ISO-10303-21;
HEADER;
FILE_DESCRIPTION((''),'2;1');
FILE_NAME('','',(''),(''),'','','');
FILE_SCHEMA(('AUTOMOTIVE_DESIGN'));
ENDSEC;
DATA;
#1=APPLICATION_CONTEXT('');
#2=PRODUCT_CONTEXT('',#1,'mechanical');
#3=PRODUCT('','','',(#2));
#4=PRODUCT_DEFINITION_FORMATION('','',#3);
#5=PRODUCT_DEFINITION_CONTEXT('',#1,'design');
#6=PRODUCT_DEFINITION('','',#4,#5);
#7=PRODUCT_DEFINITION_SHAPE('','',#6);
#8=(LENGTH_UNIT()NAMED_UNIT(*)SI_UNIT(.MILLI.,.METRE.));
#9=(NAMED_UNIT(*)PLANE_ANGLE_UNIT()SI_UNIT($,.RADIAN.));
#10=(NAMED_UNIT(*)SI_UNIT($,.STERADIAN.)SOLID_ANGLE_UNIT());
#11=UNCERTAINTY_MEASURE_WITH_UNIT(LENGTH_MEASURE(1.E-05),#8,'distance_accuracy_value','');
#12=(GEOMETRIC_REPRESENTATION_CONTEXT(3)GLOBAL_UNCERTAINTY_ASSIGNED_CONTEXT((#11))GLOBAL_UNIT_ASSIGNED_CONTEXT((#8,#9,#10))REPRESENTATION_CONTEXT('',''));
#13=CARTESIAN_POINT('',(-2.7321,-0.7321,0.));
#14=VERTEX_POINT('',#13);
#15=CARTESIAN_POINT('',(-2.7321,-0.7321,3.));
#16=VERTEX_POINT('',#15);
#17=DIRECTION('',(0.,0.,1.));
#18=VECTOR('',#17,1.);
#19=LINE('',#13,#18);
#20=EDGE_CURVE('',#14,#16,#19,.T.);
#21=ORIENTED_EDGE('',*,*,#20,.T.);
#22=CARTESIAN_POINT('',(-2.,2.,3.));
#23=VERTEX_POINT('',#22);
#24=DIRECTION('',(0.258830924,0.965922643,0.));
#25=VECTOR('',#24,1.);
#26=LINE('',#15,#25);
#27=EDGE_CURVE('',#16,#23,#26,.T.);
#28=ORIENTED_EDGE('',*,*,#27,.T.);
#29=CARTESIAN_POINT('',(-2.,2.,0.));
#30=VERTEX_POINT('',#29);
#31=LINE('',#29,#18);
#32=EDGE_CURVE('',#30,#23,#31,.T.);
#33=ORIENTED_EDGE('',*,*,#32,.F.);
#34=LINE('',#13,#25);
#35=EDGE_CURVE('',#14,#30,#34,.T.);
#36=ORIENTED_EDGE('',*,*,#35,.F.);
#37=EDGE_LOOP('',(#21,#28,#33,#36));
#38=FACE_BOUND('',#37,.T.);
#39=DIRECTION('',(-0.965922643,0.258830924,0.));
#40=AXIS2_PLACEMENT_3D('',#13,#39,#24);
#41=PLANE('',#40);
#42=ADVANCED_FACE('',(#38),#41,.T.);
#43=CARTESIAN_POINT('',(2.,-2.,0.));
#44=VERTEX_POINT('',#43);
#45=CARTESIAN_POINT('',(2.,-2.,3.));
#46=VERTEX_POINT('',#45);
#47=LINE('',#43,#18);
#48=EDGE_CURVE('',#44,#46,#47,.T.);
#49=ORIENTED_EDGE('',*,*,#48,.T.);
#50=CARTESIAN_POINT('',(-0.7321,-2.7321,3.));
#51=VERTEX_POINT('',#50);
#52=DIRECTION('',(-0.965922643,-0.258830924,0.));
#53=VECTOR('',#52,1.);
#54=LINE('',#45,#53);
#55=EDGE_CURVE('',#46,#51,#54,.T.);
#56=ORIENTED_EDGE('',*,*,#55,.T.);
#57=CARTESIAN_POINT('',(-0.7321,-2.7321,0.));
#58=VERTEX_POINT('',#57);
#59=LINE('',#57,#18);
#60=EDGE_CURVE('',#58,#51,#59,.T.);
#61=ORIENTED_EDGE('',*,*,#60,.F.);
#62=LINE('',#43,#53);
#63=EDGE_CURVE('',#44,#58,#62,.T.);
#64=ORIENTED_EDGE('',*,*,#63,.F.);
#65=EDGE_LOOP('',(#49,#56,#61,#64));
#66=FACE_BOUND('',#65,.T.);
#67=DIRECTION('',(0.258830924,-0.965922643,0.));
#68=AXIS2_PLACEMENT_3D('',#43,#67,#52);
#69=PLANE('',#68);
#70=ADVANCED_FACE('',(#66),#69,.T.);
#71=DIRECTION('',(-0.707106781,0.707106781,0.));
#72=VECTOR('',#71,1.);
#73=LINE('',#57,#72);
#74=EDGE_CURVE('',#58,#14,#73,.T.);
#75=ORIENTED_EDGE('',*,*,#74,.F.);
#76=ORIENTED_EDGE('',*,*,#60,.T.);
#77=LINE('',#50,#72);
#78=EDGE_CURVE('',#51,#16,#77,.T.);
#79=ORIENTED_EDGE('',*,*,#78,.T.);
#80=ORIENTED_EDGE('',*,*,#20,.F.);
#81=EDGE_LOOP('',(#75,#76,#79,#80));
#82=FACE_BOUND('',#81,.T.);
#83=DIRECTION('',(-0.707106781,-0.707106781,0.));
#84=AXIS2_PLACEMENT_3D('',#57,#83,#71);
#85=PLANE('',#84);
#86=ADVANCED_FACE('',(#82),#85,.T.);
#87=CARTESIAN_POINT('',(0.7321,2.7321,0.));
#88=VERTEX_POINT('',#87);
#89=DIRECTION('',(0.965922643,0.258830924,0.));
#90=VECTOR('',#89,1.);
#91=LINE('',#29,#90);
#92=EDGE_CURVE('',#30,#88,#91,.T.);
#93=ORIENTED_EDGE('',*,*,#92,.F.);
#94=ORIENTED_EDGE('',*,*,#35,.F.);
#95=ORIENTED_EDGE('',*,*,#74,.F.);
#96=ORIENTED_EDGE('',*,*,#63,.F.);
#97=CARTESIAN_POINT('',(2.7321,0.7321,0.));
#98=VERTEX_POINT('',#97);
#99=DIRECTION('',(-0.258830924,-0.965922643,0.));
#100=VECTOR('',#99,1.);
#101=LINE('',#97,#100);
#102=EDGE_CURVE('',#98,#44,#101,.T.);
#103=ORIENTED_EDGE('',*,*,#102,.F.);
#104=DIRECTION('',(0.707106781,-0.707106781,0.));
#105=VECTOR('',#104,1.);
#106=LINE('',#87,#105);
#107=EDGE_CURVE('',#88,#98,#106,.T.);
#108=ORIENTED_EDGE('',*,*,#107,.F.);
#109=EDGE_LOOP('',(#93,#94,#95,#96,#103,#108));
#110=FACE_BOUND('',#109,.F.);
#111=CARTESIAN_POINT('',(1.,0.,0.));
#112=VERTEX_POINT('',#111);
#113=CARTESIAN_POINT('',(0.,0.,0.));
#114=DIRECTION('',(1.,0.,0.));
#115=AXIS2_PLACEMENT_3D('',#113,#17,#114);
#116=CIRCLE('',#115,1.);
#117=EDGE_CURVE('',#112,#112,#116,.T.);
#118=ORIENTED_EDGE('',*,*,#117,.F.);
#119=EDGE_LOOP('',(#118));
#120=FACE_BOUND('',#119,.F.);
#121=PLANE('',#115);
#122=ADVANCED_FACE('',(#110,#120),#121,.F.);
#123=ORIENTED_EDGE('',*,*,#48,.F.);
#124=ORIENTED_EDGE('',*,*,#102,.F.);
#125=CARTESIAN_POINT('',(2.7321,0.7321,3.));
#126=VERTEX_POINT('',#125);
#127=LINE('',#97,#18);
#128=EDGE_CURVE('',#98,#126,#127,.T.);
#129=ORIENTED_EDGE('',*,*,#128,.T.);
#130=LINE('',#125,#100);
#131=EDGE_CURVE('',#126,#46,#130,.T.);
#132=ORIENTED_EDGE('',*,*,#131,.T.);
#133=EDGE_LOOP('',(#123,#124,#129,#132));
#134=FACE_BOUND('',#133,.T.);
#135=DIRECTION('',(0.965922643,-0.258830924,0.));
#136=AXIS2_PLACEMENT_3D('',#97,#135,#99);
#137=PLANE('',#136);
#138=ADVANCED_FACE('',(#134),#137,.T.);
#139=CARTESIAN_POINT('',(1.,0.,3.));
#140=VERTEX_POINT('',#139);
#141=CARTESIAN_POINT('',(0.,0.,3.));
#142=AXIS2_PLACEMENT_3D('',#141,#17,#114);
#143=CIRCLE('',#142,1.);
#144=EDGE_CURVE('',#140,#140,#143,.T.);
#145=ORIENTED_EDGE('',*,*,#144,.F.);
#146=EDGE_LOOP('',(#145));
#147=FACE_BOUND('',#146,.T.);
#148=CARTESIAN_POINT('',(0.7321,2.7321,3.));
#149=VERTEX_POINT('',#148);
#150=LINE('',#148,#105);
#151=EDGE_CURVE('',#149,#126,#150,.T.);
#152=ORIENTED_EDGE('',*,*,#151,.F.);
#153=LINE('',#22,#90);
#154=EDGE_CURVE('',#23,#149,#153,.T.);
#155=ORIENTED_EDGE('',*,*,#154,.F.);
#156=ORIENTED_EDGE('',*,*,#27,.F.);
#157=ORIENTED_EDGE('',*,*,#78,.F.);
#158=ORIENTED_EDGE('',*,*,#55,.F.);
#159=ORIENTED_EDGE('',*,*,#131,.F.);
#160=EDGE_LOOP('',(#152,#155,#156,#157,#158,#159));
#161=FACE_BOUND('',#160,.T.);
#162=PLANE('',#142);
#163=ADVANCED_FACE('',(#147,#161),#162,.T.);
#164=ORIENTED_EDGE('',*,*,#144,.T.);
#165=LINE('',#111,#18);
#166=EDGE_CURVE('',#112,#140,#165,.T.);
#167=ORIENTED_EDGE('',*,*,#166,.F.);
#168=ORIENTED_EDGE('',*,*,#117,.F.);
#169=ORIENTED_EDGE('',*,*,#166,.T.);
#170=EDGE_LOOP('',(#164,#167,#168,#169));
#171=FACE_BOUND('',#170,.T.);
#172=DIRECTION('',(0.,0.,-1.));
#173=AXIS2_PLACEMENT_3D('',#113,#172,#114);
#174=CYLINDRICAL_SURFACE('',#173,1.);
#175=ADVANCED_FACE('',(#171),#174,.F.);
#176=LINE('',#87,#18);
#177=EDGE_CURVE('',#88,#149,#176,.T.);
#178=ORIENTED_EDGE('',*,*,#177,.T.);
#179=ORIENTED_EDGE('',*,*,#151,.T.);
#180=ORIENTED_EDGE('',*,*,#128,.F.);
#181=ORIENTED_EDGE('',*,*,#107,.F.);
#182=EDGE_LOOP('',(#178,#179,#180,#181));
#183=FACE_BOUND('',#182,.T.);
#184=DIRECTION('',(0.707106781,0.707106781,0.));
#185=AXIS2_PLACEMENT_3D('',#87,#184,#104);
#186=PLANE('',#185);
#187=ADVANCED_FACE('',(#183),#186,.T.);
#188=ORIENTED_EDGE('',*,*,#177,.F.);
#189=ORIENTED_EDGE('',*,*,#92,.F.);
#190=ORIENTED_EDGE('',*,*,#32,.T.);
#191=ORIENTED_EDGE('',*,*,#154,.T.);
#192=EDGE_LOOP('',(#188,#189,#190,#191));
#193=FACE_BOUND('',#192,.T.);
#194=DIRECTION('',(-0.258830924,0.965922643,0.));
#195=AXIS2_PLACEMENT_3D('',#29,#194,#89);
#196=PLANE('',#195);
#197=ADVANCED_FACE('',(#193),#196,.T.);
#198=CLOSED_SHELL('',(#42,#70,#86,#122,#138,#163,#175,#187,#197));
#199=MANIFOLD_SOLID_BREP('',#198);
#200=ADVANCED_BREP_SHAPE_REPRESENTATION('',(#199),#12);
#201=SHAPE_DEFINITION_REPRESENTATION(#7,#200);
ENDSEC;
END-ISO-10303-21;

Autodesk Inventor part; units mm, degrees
ref_plane "YZ Plane" through (0, 0, 0) normal (1, 0, 0) x (0, 1, 0)
ref_plane "XZ Plane" through (0, 0, 0) normal (0, 1, 0) x (-1, 0, 0)
ref_plane "XY Plane" through (0, 0, 0) normal (0, 0, 1) x (1, 0, 0)
sketch "Sketch1" plane through (0, 0, 0) normal (0, 0, 1) x (1, 0, 0)
  line L0 (-2, 2) -> (0.7321, 2.7321)
  line L1 (0.7321, 2.7321) -> (2.7321, 0.7321)
  line L2 (2.7321, 0.7321) -> (2, -2)
  line L3 (2, -2) -> (-0.7321, -2.7321)
  line L4 (-0.7321, -2.7321) -> (-2.7321, -0.7321)
  line L5 (-2.7321, -0.7321) -> (-2, 2)
  circle A0 centre (0, 0) radius 1
  dimension "d2" = 2
extrude "Extrusion1" add sketch "Sketch1" along normal blind 3
properties part number "m2_nut" material "Steel, Galvanized"
